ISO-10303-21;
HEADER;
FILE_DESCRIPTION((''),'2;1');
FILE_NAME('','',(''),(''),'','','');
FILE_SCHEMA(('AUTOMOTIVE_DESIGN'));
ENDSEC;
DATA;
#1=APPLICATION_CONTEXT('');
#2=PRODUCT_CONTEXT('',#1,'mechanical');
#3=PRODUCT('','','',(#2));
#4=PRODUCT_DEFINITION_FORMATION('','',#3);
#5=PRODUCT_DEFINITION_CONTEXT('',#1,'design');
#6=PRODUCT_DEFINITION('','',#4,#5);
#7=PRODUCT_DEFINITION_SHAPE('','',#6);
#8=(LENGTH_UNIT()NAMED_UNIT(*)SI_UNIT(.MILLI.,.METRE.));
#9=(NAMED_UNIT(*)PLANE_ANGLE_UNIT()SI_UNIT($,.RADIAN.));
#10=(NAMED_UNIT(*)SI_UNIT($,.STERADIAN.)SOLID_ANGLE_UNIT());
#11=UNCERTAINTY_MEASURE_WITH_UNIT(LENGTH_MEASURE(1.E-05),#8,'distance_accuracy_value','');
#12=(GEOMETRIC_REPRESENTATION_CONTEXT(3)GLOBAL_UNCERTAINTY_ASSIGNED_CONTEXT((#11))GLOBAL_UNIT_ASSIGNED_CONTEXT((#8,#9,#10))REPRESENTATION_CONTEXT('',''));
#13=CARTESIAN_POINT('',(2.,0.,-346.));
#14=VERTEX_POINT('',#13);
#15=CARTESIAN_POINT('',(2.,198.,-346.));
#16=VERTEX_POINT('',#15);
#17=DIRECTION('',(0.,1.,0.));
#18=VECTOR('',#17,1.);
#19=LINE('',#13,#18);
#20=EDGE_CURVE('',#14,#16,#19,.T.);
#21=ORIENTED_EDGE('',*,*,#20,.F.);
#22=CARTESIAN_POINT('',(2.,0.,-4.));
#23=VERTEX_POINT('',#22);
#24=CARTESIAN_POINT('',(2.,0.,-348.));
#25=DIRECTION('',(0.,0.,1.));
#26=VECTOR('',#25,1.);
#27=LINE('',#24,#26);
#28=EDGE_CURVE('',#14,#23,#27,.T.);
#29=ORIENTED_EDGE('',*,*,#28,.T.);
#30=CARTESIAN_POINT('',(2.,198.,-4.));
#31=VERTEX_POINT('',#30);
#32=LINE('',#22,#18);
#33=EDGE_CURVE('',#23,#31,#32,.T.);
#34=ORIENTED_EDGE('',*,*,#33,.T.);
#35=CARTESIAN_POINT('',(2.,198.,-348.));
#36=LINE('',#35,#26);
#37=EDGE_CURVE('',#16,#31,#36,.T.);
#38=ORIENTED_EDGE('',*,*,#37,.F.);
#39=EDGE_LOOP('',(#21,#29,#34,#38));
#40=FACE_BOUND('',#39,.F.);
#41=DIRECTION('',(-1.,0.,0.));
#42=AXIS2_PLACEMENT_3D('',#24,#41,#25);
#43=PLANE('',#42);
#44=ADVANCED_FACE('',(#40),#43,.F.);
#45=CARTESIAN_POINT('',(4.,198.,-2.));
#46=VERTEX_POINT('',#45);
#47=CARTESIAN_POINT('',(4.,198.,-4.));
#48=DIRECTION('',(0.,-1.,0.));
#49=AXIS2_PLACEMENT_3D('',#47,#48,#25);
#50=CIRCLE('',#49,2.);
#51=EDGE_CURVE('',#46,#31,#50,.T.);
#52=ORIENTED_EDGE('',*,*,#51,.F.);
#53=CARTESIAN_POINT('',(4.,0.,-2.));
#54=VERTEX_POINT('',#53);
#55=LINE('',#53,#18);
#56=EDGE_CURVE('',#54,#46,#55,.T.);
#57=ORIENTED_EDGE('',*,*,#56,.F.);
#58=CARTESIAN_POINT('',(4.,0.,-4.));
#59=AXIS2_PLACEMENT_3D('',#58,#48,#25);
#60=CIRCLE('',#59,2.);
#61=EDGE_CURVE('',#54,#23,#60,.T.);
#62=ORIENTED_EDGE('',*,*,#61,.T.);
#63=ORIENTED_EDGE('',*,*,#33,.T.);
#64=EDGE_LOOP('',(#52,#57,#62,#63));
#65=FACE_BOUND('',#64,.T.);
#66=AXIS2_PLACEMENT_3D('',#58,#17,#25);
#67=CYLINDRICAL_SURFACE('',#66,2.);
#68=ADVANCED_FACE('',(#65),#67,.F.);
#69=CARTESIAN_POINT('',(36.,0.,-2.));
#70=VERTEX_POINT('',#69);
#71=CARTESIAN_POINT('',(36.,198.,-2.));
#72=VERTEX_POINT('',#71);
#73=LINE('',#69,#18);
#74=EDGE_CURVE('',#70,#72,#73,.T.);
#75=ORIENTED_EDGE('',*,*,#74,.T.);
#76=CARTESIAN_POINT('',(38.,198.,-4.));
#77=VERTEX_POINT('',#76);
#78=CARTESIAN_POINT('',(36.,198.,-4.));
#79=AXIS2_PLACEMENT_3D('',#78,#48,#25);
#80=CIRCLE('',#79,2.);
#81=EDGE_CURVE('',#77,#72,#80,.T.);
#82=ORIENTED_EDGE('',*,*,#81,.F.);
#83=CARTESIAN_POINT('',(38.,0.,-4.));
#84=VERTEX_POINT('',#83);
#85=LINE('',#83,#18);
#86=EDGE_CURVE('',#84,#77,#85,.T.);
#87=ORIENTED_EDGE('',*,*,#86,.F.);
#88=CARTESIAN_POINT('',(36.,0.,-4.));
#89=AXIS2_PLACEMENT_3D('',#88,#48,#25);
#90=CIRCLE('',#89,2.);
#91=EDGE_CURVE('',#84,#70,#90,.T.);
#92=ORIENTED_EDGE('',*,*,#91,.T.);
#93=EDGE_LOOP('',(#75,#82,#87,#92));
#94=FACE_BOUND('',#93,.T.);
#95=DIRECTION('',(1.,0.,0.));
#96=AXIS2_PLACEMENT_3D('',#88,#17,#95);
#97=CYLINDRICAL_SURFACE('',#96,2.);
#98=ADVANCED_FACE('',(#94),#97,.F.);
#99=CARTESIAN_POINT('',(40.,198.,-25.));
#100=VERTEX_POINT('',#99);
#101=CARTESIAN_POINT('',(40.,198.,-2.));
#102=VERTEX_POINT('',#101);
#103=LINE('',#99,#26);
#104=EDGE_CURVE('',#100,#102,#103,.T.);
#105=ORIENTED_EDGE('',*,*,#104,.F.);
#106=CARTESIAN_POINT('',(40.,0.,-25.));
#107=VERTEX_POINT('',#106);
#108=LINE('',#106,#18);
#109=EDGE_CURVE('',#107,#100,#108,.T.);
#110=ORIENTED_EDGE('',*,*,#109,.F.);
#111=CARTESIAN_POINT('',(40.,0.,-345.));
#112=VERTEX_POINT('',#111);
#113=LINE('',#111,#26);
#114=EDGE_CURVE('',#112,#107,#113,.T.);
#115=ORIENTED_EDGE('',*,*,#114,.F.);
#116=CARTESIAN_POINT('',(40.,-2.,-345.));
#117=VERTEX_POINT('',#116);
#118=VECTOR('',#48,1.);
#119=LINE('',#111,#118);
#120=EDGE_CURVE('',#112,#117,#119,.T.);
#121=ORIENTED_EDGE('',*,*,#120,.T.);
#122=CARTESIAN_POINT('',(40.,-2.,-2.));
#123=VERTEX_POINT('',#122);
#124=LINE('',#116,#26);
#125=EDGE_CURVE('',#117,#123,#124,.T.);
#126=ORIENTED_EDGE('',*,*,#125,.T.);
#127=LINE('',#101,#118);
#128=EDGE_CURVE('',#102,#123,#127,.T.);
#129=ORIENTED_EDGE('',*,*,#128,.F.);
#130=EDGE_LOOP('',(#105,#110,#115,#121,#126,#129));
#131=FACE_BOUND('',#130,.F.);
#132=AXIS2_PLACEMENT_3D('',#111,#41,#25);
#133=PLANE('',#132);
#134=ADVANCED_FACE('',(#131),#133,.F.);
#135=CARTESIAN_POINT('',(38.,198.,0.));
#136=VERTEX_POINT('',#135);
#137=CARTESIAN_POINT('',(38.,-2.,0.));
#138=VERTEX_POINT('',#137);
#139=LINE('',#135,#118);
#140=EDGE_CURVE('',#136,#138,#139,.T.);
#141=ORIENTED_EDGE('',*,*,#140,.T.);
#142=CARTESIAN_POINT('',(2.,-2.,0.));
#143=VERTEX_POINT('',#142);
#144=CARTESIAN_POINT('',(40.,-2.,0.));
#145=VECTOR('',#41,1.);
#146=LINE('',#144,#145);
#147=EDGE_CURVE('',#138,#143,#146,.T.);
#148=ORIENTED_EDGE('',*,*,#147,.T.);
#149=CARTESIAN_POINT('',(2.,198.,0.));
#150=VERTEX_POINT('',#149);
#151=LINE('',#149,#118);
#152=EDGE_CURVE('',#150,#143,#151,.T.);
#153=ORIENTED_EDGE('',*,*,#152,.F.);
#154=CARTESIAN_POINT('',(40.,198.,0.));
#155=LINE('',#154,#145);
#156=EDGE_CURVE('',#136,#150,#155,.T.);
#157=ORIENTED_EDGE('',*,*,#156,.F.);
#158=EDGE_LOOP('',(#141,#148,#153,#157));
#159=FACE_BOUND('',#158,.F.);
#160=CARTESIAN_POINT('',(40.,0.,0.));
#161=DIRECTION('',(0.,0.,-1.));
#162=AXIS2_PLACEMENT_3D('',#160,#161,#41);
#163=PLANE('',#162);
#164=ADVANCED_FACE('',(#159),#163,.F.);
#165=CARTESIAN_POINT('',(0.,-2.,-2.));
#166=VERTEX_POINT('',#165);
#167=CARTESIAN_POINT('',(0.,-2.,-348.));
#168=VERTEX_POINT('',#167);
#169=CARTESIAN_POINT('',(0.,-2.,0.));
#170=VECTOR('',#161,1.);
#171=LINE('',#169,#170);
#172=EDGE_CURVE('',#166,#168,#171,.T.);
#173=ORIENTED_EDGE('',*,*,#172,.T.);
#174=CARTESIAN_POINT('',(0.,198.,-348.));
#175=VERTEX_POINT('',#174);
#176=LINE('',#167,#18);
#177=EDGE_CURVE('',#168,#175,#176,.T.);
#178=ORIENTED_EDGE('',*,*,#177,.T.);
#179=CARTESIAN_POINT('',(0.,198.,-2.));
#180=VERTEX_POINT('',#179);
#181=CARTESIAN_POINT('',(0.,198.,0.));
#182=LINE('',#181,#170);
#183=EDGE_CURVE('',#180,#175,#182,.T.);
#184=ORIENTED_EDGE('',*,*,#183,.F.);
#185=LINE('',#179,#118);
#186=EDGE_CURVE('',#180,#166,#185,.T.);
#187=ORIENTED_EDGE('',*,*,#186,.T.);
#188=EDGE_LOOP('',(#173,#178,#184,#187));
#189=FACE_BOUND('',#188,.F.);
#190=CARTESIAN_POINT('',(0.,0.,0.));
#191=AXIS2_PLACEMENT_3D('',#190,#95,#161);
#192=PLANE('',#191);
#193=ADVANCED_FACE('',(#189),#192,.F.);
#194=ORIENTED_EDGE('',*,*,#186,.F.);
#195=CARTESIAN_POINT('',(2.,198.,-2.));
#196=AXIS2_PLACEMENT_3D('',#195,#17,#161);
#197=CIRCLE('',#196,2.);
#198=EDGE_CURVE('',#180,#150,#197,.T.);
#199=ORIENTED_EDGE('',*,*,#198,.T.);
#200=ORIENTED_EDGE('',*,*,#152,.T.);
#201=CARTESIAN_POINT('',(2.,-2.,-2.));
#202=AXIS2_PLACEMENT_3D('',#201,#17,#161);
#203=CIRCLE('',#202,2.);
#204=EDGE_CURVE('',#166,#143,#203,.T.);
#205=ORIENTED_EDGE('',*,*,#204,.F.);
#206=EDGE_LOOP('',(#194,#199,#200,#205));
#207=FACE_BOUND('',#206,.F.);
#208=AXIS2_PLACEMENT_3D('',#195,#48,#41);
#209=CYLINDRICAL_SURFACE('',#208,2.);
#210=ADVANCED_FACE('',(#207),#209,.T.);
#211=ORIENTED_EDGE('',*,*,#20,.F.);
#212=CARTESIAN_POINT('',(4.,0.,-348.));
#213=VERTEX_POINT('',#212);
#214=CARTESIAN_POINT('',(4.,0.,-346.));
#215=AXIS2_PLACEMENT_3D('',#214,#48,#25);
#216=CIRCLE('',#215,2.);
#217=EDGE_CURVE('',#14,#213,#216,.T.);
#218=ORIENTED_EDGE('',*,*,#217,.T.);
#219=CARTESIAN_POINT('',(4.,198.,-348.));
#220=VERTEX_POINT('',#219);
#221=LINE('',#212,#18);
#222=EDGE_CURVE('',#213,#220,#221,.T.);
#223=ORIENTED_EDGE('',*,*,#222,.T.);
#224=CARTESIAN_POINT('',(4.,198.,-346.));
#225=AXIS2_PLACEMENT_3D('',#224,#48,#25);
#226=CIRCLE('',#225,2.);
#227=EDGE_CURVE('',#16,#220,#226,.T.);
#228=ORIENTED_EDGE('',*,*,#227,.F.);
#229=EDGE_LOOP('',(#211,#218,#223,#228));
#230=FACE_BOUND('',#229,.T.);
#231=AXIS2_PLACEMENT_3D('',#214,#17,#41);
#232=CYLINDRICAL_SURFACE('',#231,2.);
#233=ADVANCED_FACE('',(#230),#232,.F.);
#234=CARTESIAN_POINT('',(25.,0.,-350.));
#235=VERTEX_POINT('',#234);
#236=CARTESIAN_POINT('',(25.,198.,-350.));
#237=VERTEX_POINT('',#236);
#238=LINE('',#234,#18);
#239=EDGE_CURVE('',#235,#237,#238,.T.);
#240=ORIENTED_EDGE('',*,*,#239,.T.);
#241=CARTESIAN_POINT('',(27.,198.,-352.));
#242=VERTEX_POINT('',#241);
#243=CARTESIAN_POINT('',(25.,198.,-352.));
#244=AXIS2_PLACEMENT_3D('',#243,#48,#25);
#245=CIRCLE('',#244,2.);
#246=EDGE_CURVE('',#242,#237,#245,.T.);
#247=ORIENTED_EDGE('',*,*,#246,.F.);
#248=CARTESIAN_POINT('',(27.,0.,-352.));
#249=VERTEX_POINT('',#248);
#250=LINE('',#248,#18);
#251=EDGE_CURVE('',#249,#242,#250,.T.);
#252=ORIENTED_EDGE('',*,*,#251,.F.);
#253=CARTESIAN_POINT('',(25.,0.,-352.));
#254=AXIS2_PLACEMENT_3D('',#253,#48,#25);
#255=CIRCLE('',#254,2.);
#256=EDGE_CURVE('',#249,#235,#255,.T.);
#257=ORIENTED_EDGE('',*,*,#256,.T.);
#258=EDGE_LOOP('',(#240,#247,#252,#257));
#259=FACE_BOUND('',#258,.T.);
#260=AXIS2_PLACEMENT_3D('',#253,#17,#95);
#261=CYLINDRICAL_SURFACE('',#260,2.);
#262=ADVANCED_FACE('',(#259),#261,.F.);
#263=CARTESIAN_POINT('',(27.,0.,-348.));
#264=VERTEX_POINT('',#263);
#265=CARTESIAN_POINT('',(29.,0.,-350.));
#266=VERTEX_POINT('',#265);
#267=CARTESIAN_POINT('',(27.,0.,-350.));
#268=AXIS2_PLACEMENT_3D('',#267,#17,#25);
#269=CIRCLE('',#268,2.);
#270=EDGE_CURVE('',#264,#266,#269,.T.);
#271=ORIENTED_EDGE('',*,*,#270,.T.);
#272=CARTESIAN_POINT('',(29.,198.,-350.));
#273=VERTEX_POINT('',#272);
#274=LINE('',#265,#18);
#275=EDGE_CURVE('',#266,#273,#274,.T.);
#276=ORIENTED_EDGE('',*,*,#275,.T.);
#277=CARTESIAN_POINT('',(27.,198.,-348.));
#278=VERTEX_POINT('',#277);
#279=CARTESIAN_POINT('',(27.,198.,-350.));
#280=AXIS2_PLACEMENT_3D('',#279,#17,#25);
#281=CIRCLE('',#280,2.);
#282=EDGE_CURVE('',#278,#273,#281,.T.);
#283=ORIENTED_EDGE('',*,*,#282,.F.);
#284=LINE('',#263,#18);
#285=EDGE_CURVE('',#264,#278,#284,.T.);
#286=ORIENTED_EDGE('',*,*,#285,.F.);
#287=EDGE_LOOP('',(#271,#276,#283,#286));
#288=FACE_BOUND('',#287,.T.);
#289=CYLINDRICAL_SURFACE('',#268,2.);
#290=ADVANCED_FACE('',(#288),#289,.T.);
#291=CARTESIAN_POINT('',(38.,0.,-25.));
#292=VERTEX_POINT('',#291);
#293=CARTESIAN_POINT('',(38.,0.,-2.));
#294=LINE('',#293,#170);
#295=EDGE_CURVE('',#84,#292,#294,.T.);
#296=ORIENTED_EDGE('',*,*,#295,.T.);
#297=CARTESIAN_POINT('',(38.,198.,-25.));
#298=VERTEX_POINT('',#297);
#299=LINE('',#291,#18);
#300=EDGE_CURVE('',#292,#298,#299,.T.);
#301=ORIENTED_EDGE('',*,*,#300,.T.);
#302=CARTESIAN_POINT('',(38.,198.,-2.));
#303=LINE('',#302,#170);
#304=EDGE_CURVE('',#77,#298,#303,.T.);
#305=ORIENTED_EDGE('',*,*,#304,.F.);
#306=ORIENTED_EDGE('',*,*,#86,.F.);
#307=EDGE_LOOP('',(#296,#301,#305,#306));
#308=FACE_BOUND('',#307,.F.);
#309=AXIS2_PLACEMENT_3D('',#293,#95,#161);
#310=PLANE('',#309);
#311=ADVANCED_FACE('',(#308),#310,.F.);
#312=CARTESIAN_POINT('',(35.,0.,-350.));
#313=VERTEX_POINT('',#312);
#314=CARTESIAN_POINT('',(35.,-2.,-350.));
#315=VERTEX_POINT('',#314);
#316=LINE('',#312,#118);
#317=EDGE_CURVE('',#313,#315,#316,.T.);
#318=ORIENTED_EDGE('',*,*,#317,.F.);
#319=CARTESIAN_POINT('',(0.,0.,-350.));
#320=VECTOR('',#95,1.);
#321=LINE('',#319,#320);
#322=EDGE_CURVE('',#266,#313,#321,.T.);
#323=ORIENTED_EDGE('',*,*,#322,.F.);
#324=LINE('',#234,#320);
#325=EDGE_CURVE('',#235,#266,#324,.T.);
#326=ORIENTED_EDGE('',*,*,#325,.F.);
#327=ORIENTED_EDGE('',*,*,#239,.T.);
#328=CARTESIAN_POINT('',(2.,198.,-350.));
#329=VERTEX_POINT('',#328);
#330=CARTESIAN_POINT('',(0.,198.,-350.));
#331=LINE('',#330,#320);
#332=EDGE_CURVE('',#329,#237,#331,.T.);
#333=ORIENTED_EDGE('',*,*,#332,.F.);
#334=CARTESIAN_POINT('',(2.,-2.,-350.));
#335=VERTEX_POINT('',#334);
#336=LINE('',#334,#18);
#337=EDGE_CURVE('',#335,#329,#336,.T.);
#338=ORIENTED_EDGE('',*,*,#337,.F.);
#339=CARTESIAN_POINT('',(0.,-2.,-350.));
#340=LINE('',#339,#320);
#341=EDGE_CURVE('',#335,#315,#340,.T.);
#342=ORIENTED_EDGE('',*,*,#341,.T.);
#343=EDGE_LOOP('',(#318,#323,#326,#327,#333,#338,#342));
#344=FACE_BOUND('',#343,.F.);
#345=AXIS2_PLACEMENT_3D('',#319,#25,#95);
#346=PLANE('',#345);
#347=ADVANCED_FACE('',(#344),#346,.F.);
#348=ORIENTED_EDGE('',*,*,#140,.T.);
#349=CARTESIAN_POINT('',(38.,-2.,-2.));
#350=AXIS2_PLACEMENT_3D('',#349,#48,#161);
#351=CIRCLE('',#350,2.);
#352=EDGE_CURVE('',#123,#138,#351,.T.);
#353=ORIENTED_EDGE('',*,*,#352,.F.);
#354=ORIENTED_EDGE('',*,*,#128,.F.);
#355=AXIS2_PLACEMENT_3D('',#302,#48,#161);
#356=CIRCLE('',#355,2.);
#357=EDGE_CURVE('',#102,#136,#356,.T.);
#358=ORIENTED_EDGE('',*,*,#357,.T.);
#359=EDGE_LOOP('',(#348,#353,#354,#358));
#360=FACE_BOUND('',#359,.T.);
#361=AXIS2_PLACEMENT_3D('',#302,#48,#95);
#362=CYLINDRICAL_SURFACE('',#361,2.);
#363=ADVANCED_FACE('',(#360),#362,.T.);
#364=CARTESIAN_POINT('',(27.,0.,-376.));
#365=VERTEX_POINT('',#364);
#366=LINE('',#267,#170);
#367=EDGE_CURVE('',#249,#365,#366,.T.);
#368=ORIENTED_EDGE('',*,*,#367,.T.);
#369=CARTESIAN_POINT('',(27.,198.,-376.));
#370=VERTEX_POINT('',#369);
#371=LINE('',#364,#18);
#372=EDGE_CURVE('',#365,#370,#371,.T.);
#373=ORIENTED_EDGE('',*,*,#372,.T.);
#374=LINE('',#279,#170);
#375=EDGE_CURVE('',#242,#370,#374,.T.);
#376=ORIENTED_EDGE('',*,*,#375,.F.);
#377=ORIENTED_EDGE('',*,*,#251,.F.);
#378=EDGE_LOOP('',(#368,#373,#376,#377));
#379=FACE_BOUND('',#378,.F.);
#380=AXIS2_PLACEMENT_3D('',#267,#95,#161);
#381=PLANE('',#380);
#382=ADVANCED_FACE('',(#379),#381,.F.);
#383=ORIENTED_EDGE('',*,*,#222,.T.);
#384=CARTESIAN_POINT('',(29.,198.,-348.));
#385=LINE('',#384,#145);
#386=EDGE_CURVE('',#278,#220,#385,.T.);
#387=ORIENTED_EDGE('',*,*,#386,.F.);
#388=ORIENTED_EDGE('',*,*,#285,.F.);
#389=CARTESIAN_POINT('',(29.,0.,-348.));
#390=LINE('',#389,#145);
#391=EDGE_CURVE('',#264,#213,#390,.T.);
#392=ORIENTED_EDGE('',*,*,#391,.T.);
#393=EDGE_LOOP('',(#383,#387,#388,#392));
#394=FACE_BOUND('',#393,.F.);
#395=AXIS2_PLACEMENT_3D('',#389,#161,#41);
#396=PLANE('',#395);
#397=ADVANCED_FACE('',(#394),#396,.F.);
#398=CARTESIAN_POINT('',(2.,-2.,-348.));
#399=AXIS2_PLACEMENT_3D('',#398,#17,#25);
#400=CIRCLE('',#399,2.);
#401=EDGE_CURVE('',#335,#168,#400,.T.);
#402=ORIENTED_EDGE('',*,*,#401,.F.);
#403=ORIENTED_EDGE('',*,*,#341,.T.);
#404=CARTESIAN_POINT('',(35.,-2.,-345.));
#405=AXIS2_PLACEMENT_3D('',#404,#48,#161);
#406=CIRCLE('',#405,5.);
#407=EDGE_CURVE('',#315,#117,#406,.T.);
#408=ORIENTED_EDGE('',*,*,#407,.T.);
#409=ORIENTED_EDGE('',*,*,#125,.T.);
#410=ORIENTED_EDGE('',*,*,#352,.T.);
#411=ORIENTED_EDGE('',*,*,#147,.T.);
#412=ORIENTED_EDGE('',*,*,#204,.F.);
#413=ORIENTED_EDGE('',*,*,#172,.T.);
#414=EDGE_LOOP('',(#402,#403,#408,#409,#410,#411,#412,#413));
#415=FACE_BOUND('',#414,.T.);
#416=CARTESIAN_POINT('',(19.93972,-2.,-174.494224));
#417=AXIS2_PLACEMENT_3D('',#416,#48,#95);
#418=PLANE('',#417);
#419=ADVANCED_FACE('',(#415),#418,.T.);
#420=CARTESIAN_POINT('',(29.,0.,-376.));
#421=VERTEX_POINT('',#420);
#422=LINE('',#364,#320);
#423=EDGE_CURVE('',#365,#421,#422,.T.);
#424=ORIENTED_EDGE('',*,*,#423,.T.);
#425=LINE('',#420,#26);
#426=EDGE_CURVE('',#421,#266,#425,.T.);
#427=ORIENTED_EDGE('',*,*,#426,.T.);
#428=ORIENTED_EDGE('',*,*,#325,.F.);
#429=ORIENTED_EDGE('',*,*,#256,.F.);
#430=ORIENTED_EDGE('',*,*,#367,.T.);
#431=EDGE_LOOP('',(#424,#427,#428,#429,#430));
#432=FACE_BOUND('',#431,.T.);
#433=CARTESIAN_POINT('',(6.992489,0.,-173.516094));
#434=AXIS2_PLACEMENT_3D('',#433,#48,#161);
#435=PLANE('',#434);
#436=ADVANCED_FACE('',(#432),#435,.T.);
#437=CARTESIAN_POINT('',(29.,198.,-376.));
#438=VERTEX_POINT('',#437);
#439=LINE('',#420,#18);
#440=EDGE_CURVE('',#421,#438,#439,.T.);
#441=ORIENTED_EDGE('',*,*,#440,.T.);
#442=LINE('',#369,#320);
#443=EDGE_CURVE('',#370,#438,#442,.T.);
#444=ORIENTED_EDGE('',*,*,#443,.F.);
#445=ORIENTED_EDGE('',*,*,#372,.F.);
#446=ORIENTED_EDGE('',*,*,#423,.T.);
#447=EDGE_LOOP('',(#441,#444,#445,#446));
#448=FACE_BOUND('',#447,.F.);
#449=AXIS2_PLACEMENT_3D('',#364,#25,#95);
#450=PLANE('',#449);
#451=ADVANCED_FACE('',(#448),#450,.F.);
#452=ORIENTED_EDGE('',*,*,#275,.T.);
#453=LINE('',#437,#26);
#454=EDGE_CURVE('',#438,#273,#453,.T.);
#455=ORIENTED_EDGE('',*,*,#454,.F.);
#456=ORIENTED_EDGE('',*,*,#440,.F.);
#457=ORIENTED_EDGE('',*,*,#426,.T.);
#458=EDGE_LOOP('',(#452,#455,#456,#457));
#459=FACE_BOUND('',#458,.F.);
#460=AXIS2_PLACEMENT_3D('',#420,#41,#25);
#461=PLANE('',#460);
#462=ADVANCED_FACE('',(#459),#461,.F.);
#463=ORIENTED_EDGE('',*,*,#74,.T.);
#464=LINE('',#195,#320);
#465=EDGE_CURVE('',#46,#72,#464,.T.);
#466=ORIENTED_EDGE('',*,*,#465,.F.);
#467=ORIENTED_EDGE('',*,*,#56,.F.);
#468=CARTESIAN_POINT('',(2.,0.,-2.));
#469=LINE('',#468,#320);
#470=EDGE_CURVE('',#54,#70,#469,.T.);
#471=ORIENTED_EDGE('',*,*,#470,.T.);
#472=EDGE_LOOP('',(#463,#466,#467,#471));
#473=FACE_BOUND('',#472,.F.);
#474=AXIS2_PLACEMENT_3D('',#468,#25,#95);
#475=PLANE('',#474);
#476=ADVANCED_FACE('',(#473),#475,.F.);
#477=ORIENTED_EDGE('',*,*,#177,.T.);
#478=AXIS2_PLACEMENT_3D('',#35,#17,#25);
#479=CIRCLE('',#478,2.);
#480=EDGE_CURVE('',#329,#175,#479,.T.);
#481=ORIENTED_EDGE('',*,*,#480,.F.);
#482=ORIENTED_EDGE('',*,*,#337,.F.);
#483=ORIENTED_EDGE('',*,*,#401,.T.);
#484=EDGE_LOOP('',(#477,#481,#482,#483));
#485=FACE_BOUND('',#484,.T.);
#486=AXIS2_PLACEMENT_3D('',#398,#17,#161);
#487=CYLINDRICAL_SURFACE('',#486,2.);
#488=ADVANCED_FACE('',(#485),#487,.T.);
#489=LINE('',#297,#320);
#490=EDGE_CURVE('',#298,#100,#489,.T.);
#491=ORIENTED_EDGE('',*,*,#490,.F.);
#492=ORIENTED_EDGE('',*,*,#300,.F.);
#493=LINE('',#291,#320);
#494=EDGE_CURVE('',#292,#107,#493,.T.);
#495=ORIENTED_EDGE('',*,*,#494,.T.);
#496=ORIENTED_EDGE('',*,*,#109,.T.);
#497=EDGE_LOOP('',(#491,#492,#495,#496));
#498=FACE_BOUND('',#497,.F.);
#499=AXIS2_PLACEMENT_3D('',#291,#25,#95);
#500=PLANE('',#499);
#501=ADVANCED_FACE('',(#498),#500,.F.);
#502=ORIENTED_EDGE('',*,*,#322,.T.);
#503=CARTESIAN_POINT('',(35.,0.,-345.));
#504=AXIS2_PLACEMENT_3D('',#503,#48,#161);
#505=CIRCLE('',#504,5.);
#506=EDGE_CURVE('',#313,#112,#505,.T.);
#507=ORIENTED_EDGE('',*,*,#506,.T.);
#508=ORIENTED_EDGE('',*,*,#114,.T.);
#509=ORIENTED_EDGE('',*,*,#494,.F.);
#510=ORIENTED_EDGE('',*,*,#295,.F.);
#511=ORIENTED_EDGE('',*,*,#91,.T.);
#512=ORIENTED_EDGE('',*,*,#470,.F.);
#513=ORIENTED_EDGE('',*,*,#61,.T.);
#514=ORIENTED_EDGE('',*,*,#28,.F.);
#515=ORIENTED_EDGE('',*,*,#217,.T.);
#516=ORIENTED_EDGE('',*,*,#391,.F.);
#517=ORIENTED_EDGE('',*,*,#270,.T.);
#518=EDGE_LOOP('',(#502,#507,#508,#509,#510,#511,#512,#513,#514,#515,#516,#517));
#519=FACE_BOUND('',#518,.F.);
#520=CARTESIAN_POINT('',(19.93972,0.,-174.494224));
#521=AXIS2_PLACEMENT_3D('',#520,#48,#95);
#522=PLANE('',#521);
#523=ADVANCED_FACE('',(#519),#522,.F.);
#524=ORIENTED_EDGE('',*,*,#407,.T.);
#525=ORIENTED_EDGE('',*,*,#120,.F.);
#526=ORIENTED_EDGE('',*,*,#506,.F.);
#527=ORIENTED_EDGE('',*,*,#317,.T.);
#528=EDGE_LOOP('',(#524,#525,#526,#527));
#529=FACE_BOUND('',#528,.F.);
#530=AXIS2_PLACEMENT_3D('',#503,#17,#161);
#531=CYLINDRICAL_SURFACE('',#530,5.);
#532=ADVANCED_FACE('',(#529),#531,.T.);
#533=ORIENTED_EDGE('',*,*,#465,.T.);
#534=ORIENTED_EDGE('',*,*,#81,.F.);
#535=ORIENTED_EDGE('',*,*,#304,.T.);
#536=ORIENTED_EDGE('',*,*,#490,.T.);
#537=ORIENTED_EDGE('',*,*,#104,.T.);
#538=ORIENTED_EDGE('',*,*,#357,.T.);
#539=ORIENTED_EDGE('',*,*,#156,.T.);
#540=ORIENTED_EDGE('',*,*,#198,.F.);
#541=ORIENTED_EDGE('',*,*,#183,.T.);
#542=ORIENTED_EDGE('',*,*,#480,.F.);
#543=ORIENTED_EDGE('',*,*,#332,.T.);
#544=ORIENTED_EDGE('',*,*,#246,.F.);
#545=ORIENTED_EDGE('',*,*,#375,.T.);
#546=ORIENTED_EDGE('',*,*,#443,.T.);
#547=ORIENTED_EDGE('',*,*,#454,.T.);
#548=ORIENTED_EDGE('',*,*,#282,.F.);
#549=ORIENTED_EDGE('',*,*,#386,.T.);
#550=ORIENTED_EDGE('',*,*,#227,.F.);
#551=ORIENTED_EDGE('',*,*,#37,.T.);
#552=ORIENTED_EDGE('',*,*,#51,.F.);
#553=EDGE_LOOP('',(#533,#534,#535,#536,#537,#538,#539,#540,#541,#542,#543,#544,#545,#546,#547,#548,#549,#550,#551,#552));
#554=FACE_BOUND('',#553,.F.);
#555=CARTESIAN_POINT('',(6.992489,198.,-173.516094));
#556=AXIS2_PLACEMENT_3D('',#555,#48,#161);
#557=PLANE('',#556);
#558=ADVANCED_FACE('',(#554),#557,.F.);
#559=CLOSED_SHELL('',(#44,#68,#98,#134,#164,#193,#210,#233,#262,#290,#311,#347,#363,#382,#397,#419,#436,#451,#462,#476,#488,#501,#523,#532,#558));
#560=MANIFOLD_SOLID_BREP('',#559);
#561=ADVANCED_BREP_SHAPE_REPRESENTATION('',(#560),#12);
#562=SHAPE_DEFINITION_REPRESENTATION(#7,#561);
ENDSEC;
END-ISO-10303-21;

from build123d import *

# Parameters (mm, degrees)
F4_DEPTH = 2
F6_R     = 2


with BuildPart() as f2:
    # F2: sweep along a path in F1
    with BuildLine(Plane.XY) as f2_path:
        Line((0, 0), (0, 198))
    # F0 (on Front) → F2 (sweep)
    with BuildSketch(Plane.XZ):
        Polygon((40, 0), (0, 0), (0, -350), (27, -350), (27, -376), (29, -376), (29, -348), (2, -348), (2, -2), (38, -2), (38, -25), (40, -25), align=None)
    sweep(path=f2_path.line)


with BuildPart() as f4:
    # F3 (on face) → F4 (new body)
    with BuildSketch(Plane.XZ):
        with BuildLine():
            Line((40, -345), (40, 0))
            Line((40, 0), (0, 0))
            Line((0, 0), (0, -350))
            Line((0, -350), (35, -350))
            ThreePointArc((35, -350), (38.5355339059, -348.5355339059), (40, -345))
        make_face()
    extrude(amount=F4_DEPTH)


with BuildPart() as f2_1:
    add(f2.part)

    # F5: union F4
    add(f4.part)

    # F6
    f6_edges = [f2_1.edges().sort_by_distance(p)[0] for p in [
        (40, 98, 0),
        (0, 98, 0),
        (0, 98, -350),
        (29, 99, -348),
        (27, 99, -350),
        (2, 99, -348),
        (2, 99, -2),
        (38, 99, -2),
    ]]
    fillet(f6_edges, radius=F6_R)


solid = f2_1.part
